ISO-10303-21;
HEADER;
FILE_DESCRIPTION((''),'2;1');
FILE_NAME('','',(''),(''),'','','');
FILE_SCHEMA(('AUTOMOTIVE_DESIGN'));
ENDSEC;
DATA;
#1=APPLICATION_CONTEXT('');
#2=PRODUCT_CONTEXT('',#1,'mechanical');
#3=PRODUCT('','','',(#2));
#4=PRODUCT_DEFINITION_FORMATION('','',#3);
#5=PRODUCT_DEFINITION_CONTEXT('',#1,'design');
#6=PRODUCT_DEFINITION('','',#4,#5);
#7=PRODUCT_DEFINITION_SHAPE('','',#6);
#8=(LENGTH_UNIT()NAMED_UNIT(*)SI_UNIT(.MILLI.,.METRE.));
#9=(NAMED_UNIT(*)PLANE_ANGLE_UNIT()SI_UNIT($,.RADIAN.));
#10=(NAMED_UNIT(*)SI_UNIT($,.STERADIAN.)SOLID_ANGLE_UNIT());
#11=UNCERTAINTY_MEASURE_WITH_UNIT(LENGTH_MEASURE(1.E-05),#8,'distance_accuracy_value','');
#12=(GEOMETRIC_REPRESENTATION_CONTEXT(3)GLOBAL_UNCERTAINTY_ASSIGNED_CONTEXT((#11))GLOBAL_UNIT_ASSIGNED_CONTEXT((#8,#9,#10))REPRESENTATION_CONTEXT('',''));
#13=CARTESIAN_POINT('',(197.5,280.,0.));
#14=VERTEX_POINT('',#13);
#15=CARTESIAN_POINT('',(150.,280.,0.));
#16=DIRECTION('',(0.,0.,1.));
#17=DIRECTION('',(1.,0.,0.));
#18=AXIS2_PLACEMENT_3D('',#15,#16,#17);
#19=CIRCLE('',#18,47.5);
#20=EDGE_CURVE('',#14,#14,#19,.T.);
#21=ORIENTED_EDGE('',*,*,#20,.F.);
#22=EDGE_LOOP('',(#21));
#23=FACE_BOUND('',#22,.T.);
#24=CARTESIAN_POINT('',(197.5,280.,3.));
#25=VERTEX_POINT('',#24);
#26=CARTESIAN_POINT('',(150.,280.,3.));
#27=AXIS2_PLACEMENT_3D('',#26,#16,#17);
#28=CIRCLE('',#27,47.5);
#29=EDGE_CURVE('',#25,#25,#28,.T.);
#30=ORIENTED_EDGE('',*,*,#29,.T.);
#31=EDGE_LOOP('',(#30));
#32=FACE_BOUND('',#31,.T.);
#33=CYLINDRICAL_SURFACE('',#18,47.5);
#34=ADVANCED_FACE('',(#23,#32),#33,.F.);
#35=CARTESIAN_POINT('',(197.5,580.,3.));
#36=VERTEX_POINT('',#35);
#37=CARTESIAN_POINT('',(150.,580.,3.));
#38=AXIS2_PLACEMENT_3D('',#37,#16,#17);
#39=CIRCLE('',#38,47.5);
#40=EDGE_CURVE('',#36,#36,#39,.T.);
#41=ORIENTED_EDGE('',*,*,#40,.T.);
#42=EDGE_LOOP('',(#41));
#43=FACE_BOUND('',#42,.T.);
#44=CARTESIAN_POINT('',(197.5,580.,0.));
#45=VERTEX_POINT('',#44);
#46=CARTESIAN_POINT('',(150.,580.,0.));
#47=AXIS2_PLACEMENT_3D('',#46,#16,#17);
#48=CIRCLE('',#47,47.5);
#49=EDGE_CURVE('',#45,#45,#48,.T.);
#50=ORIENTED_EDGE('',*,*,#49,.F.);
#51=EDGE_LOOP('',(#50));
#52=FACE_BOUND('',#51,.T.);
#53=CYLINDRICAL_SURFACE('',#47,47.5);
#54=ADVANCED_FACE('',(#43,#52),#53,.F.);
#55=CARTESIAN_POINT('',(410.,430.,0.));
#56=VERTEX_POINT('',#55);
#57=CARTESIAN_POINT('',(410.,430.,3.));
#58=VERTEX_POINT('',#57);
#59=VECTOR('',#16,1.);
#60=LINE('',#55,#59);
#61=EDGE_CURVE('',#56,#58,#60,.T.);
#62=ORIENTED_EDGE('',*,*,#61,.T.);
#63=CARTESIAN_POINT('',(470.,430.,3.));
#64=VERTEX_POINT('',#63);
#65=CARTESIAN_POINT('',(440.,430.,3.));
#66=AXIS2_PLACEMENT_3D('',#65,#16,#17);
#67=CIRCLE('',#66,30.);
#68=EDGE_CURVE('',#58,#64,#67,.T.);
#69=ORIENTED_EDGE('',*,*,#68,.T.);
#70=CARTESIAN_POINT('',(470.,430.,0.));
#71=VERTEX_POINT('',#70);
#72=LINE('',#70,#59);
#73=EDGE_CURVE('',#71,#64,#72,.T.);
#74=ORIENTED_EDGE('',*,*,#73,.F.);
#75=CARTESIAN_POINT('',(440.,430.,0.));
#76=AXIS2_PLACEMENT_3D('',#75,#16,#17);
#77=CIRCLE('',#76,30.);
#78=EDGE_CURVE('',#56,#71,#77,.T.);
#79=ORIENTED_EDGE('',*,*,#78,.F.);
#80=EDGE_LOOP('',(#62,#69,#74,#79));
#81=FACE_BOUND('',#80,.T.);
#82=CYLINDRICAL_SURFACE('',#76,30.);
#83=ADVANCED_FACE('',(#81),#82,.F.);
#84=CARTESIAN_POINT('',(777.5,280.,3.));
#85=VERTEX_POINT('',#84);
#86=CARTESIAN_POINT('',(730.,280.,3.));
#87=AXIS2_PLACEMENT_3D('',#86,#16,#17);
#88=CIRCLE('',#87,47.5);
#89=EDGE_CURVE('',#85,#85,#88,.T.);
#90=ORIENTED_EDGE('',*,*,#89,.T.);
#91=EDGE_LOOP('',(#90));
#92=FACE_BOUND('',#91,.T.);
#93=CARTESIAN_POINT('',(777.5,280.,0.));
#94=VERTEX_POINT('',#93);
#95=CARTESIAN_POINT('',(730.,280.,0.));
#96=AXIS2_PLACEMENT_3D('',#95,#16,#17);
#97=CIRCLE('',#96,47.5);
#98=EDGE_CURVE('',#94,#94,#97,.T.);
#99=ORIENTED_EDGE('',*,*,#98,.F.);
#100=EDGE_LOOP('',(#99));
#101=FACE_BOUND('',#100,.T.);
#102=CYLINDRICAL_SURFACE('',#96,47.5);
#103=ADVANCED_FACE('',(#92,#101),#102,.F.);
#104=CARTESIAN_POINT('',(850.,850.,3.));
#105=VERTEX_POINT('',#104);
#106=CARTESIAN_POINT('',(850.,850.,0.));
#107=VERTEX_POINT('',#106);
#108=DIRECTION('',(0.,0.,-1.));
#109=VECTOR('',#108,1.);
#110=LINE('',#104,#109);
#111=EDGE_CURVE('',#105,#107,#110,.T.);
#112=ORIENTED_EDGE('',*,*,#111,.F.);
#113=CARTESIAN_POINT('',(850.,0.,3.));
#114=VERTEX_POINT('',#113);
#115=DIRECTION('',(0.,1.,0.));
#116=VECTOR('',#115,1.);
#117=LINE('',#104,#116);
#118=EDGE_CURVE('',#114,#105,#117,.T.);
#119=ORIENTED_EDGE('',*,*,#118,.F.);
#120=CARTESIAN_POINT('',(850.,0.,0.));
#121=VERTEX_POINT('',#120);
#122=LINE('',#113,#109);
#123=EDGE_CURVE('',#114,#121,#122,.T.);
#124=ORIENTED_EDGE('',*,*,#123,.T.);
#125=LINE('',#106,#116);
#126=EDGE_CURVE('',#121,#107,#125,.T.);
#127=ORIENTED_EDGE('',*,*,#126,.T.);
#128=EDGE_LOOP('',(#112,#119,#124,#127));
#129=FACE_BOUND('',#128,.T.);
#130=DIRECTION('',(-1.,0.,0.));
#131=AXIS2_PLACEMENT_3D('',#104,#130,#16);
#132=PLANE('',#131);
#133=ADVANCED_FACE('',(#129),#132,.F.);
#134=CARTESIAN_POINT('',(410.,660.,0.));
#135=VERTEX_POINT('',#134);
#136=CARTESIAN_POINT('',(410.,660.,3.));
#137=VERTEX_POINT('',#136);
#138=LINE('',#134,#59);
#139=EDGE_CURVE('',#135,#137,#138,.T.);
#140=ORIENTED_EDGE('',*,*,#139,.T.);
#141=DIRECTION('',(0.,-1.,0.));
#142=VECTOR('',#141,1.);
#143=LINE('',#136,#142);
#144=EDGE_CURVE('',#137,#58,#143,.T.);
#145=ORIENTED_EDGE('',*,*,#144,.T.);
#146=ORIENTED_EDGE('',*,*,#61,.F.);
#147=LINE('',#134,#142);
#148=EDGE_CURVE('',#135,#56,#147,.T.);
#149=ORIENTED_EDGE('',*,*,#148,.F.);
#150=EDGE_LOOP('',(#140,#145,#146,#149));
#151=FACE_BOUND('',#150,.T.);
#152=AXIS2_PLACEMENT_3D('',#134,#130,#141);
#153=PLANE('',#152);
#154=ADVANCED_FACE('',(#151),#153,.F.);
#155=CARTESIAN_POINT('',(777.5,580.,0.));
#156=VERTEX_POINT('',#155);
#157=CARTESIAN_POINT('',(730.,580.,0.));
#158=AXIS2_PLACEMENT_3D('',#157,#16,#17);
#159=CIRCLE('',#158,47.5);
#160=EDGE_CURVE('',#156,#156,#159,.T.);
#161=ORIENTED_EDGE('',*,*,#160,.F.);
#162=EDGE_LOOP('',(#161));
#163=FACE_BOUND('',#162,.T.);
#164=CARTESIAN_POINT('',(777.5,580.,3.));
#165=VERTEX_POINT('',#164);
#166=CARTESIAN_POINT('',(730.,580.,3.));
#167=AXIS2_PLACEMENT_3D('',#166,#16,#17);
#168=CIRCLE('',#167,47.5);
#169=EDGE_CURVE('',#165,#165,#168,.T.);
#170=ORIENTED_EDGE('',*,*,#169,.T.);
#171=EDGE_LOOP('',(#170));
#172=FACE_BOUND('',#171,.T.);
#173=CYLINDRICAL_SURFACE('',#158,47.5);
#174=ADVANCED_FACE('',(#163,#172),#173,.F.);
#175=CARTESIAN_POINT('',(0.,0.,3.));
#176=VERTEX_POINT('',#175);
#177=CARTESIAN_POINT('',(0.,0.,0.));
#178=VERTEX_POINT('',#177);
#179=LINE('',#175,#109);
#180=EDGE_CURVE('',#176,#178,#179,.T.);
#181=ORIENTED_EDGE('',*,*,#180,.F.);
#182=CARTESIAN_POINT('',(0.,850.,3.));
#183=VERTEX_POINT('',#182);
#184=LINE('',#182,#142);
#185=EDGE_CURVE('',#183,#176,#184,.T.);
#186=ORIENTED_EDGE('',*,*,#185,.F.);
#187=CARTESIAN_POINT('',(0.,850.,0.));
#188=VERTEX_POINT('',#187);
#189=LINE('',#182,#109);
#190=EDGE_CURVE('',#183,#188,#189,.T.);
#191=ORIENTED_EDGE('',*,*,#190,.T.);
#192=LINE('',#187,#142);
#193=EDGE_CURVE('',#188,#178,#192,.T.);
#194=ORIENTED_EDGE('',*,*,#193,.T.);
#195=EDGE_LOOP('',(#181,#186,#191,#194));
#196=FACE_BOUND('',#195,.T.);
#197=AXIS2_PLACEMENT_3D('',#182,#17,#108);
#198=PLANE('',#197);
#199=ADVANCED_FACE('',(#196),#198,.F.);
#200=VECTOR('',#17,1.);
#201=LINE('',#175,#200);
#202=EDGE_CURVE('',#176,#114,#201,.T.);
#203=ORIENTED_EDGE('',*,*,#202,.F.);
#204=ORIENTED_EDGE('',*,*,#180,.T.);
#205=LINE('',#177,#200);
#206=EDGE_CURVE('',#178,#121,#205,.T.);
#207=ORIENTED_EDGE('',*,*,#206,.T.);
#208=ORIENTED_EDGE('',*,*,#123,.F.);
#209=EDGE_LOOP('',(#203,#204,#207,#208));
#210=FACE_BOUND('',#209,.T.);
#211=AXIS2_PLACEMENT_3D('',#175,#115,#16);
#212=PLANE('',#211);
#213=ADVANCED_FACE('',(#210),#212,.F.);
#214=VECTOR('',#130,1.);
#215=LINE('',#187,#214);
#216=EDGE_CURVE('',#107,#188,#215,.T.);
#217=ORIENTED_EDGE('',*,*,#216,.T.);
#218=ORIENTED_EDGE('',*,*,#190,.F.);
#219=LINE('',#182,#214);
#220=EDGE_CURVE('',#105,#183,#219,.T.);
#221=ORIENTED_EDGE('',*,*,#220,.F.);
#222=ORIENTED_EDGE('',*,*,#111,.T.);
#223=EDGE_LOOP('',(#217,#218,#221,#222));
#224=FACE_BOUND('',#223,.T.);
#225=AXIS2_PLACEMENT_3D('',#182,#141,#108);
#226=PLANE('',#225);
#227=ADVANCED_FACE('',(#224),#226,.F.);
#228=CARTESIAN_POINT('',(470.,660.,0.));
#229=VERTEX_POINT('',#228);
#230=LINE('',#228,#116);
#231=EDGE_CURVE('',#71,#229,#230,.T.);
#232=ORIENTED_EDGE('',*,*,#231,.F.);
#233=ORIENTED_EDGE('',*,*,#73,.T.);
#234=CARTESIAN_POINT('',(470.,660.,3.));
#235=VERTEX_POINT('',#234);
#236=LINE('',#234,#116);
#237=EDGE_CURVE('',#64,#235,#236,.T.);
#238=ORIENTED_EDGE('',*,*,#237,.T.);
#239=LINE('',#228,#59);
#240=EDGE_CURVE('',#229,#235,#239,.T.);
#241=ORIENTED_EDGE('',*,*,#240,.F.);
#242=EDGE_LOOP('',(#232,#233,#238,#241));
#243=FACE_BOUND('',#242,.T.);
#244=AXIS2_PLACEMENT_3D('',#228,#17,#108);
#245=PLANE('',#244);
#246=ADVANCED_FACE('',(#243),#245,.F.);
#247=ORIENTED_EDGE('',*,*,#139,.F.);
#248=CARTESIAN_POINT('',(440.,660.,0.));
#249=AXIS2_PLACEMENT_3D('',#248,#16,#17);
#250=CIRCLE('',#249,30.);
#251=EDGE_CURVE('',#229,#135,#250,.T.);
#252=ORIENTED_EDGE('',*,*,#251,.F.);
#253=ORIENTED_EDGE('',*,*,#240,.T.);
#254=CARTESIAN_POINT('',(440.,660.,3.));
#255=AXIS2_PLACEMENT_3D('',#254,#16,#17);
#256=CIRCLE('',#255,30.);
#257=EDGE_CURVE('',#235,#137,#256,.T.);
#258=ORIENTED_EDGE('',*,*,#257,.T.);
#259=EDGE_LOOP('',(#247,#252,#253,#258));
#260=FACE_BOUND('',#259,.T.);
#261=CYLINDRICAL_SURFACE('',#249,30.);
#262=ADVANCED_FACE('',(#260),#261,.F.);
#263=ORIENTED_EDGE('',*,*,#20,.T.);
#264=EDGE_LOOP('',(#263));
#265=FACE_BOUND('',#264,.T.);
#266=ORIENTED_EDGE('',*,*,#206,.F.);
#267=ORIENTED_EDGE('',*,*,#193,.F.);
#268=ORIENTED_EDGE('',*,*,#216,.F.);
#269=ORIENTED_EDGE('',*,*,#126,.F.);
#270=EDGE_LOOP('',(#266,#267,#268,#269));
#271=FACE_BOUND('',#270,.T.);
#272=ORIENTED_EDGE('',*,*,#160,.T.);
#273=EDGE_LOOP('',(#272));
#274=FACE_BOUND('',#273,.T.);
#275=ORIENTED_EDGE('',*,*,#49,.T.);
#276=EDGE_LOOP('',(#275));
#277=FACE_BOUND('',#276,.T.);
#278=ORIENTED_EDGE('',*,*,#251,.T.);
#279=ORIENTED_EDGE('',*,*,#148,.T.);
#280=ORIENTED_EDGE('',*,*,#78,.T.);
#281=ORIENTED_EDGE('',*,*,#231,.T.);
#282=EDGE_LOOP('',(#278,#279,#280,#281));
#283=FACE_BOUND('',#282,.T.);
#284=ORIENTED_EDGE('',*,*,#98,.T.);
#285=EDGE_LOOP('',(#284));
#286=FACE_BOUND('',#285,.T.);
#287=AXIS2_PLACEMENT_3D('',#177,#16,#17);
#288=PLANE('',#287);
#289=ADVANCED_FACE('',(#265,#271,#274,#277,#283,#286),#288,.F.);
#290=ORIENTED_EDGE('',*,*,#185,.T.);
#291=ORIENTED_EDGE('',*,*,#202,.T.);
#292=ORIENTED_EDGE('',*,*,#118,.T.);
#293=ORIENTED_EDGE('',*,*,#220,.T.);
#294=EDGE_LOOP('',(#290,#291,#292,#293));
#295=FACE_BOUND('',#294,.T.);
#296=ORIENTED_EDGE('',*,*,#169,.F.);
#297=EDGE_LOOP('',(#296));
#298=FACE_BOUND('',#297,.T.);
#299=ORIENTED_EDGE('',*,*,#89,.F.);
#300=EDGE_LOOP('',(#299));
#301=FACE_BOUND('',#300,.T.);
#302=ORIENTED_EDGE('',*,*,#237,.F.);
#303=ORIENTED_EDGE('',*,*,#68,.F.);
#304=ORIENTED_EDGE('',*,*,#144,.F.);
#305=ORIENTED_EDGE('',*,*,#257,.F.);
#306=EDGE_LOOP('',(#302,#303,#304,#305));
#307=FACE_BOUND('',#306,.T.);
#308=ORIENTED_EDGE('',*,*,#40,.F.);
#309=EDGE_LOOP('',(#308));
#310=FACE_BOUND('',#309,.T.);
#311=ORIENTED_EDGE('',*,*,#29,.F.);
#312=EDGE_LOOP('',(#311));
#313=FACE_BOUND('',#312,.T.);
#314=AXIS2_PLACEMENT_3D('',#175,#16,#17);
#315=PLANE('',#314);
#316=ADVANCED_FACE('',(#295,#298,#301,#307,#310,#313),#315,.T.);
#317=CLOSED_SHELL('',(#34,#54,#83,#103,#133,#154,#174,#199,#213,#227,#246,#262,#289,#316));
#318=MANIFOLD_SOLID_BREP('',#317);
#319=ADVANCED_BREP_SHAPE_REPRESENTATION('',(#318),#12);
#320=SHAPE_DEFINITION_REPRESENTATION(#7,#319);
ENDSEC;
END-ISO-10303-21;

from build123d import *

# Parameters (mm, degrees)
SKETCH_1_W          = 850
SKETCH_1_H          = 850
EXTRUDE_1_DEPTH     = 3
SKETCH_2_R          = 47.5
CUT_EXTRUDE_1_DEPTH = 1203.085271518


with BuildPart() as part:
    # 草图1 → 凸台-拉伸1 (new body)
    with BuildSketch(Plane.XY):
        with Locations((425, 425)):
            Rectangle(SKETCH_1_W, SKETCH_1_H)
    extrude(amount=EXTRUDE_1_DEPTH)

    # 草图2 → 切除-拉伸1 (cut, through all)
    with BuildSketch(Plane.XY.offset(3)):
        with Locations((150, 580)):
            Circle(SKETCH_2_R)
        with Locations((150, 280)):
            Circle(SKETCH_2_R)
        with Locations((730, 280)):
            Circle(SKETCH_2_R)
        with Locations((730, 580)):
            Circle(SKETCH_2_R)
        with BuildLine():
            Line((470, 660), (470, 430))
            ThreePointArc((470, 430), (440, 400), (410, 430))
            Line((410, 430), (410, 660))
            ThreePointArc((410, 660), (440, 690), (470, 660))
        make_face()
    extrude(amount=-CUT_EXTRUDE_1_DEPTH, mode=Mode.SUBTRACT)


solid = part.part
